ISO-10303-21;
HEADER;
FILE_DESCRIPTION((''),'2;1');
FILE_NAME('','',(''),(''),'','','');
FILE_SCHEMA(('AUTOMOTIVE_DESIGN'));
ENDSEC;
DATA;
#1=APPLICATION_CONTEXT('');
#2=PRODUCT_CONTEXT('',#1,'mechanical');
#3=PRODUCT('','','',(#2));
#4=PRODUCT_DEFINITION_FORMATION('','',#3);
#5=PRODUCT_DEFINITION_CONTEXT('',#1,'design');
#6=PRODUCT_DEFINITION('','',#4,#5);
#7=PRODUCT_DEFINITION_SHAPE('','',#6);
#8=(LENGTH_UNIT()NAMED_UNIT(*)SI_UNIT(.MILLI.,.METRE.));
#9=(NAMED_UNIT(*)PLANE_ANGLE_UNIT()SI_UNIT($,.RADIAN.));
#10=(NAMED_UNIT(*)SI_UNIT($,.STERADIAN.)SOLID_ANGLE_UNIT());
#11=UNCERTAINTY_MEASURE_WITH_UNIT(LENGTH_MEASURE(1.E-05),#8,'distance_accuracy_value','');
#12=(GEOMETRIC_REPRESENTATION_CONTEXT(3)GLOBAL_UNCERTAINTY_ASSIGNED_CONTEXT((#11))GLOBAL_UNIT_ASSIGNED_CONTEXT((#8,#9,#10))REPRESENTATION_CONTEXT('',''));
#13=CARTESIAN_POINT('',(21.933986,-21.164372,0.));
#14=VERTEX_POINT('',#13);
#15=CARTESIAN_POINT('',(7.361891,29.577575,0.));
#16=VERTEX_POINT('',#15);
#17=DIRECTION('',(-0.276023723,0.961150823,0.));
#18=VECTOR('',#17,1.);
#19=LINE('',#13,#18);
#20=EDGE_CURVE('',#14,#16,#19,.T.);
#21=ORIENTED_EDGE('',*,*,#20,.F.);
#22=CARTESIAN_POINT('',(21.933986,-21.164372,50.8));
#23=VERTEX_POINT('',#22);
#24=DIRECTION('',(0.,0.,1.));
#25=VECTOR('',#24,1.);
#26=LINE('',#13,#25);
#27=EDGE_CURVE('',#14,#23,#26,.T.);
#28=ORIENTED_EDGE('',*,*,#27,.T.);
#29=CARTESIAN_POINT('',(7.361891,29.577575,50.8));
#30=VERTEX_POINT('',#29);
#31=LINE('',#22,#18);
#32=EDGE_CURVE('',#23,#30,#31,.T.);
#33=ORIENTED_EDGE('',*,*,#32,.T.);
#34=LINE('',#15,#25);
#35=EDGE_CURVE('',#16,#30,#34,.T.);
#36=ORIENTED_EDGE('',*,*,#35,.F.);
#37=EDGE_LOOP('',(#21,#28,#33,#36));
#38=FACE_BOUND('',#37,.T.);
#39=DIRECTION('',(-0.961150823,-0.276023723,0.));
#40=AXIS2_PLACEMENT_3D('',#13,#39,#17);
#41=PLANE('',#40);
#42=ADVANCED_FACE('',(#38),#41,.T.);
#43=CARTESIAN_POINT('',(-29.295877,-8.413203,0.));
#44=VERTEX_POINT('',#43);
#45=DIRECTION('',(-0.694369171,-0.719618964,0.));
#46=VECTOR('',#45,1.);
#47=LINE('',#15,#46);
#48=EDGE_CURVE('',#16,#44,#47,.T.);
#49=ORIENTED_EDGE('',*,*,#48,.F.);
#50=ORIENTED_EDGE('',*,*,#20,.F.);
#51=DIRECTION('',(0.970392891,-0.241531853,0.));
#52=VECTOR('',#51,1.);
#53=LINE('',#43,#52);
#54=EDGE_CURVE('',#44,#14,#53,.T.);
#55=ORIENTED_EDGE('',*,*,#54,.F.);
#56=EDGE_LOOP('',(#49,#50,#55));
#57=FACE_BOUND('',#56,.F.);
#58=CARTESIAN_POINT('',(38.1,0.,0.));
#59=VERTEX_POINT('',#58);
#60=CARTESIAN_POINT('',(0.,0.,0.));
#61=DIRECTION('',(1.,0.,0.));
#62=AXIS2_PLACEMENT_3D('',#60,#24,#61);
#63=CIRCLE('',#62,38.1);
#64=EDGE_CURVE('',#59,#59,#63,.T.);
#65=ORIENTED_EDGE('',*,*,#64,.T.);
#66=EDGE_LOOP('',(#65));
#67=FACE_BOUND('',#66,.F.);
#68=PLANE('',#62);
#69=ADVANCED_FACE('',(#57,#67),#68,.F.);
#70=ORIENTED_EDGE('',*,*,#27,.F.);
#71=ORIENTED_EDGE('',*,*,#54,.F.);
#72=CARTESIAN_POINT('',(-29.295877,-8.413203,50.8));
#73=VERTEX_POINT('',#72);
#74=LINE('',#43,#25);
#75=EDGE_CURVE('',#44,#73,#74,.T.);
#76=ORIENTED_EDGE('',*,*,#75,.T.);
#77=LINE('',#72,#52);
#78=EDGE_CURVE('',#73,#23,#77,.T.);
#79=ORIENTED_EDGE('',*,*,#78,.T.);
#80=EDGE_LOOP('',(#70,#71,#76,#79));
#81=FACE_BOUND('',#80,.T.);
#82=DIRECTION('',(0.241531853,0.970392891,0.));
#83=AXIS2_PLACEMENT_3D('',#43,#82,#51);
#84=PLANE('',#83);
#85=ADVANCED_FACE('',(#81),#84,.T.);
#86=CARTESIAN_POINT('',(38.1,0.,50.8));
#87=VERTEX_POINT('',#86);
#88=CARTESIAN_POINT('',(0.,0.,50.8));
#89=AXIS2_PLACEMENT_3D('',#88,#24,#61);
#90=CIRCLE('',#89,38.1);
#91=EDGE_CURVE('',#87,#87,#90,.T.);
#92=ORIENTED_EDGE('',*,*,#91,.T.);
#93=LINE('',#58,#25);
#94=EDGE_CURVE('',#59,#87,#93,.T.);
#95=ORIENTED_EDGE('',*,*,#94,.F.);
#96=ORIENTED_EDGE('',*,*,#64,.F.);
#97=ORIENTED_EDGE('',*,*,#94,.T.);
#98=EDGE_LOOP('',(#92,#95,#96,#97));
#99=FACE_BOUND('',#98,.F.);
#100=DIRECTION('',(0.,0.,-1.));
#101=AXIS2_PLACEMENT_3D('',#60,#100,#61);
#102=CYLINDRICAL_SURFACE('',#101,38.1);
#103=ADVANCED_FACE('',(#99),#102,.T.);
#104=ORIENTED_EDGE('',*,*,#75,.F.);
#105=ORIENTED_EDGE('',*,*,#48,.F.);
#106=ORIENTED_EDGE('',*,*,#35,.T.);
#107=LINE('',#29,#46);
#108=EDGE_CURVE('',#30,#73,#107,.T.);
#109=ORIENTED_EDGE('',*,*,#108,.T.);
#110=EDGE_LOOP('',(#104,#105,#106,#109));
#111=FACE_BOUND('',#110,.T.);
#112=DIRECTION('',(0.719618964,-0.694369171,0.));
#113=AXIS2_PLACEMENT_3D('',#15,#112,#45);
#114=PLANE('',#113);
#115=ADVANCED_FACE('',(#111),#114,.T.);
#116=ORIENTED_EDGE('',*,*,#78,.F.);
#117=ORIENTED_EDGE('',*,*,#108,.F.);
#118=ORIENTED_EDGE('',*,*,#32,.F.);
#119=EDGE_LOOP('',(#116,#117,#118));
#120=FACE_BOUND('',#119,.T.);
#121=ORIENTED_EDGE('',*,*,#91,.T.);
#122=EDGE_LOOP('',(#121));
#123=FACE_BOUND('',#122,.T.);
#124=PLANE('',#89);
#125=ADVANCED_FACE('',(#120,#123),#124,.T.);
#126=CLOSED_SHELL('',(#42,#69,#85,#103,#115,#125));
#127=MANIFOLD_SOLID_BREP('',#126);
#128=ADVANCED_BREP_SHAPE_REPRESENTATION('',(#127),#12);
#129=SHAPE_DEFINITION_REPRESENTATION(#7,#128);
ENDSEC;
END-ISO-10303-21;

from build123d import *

# Parameters (mm, degrees)
F0_R     = 38.1
F1_DEPTH = 50.8
F3_DEPTH = 50.8


with BuildPart() as f1:
    # F0 (on Top) → F1 (new body)
    with BuildSketch(Plane.XY):
        Circle(F0_R)
    extrude(amount=F1_DEPTH)

    # F2 (on Top) → F3 (cut)
    with BuildSketch(Plane.XY):
        Polygon((7.361891, 29.577575), (-29.295877, -8.413203), (21.933986, -21.164372), align=None)
    extrude(amount=F3_DEPTH, mode=Mode.SUBTRACT)


solid = f1.part
